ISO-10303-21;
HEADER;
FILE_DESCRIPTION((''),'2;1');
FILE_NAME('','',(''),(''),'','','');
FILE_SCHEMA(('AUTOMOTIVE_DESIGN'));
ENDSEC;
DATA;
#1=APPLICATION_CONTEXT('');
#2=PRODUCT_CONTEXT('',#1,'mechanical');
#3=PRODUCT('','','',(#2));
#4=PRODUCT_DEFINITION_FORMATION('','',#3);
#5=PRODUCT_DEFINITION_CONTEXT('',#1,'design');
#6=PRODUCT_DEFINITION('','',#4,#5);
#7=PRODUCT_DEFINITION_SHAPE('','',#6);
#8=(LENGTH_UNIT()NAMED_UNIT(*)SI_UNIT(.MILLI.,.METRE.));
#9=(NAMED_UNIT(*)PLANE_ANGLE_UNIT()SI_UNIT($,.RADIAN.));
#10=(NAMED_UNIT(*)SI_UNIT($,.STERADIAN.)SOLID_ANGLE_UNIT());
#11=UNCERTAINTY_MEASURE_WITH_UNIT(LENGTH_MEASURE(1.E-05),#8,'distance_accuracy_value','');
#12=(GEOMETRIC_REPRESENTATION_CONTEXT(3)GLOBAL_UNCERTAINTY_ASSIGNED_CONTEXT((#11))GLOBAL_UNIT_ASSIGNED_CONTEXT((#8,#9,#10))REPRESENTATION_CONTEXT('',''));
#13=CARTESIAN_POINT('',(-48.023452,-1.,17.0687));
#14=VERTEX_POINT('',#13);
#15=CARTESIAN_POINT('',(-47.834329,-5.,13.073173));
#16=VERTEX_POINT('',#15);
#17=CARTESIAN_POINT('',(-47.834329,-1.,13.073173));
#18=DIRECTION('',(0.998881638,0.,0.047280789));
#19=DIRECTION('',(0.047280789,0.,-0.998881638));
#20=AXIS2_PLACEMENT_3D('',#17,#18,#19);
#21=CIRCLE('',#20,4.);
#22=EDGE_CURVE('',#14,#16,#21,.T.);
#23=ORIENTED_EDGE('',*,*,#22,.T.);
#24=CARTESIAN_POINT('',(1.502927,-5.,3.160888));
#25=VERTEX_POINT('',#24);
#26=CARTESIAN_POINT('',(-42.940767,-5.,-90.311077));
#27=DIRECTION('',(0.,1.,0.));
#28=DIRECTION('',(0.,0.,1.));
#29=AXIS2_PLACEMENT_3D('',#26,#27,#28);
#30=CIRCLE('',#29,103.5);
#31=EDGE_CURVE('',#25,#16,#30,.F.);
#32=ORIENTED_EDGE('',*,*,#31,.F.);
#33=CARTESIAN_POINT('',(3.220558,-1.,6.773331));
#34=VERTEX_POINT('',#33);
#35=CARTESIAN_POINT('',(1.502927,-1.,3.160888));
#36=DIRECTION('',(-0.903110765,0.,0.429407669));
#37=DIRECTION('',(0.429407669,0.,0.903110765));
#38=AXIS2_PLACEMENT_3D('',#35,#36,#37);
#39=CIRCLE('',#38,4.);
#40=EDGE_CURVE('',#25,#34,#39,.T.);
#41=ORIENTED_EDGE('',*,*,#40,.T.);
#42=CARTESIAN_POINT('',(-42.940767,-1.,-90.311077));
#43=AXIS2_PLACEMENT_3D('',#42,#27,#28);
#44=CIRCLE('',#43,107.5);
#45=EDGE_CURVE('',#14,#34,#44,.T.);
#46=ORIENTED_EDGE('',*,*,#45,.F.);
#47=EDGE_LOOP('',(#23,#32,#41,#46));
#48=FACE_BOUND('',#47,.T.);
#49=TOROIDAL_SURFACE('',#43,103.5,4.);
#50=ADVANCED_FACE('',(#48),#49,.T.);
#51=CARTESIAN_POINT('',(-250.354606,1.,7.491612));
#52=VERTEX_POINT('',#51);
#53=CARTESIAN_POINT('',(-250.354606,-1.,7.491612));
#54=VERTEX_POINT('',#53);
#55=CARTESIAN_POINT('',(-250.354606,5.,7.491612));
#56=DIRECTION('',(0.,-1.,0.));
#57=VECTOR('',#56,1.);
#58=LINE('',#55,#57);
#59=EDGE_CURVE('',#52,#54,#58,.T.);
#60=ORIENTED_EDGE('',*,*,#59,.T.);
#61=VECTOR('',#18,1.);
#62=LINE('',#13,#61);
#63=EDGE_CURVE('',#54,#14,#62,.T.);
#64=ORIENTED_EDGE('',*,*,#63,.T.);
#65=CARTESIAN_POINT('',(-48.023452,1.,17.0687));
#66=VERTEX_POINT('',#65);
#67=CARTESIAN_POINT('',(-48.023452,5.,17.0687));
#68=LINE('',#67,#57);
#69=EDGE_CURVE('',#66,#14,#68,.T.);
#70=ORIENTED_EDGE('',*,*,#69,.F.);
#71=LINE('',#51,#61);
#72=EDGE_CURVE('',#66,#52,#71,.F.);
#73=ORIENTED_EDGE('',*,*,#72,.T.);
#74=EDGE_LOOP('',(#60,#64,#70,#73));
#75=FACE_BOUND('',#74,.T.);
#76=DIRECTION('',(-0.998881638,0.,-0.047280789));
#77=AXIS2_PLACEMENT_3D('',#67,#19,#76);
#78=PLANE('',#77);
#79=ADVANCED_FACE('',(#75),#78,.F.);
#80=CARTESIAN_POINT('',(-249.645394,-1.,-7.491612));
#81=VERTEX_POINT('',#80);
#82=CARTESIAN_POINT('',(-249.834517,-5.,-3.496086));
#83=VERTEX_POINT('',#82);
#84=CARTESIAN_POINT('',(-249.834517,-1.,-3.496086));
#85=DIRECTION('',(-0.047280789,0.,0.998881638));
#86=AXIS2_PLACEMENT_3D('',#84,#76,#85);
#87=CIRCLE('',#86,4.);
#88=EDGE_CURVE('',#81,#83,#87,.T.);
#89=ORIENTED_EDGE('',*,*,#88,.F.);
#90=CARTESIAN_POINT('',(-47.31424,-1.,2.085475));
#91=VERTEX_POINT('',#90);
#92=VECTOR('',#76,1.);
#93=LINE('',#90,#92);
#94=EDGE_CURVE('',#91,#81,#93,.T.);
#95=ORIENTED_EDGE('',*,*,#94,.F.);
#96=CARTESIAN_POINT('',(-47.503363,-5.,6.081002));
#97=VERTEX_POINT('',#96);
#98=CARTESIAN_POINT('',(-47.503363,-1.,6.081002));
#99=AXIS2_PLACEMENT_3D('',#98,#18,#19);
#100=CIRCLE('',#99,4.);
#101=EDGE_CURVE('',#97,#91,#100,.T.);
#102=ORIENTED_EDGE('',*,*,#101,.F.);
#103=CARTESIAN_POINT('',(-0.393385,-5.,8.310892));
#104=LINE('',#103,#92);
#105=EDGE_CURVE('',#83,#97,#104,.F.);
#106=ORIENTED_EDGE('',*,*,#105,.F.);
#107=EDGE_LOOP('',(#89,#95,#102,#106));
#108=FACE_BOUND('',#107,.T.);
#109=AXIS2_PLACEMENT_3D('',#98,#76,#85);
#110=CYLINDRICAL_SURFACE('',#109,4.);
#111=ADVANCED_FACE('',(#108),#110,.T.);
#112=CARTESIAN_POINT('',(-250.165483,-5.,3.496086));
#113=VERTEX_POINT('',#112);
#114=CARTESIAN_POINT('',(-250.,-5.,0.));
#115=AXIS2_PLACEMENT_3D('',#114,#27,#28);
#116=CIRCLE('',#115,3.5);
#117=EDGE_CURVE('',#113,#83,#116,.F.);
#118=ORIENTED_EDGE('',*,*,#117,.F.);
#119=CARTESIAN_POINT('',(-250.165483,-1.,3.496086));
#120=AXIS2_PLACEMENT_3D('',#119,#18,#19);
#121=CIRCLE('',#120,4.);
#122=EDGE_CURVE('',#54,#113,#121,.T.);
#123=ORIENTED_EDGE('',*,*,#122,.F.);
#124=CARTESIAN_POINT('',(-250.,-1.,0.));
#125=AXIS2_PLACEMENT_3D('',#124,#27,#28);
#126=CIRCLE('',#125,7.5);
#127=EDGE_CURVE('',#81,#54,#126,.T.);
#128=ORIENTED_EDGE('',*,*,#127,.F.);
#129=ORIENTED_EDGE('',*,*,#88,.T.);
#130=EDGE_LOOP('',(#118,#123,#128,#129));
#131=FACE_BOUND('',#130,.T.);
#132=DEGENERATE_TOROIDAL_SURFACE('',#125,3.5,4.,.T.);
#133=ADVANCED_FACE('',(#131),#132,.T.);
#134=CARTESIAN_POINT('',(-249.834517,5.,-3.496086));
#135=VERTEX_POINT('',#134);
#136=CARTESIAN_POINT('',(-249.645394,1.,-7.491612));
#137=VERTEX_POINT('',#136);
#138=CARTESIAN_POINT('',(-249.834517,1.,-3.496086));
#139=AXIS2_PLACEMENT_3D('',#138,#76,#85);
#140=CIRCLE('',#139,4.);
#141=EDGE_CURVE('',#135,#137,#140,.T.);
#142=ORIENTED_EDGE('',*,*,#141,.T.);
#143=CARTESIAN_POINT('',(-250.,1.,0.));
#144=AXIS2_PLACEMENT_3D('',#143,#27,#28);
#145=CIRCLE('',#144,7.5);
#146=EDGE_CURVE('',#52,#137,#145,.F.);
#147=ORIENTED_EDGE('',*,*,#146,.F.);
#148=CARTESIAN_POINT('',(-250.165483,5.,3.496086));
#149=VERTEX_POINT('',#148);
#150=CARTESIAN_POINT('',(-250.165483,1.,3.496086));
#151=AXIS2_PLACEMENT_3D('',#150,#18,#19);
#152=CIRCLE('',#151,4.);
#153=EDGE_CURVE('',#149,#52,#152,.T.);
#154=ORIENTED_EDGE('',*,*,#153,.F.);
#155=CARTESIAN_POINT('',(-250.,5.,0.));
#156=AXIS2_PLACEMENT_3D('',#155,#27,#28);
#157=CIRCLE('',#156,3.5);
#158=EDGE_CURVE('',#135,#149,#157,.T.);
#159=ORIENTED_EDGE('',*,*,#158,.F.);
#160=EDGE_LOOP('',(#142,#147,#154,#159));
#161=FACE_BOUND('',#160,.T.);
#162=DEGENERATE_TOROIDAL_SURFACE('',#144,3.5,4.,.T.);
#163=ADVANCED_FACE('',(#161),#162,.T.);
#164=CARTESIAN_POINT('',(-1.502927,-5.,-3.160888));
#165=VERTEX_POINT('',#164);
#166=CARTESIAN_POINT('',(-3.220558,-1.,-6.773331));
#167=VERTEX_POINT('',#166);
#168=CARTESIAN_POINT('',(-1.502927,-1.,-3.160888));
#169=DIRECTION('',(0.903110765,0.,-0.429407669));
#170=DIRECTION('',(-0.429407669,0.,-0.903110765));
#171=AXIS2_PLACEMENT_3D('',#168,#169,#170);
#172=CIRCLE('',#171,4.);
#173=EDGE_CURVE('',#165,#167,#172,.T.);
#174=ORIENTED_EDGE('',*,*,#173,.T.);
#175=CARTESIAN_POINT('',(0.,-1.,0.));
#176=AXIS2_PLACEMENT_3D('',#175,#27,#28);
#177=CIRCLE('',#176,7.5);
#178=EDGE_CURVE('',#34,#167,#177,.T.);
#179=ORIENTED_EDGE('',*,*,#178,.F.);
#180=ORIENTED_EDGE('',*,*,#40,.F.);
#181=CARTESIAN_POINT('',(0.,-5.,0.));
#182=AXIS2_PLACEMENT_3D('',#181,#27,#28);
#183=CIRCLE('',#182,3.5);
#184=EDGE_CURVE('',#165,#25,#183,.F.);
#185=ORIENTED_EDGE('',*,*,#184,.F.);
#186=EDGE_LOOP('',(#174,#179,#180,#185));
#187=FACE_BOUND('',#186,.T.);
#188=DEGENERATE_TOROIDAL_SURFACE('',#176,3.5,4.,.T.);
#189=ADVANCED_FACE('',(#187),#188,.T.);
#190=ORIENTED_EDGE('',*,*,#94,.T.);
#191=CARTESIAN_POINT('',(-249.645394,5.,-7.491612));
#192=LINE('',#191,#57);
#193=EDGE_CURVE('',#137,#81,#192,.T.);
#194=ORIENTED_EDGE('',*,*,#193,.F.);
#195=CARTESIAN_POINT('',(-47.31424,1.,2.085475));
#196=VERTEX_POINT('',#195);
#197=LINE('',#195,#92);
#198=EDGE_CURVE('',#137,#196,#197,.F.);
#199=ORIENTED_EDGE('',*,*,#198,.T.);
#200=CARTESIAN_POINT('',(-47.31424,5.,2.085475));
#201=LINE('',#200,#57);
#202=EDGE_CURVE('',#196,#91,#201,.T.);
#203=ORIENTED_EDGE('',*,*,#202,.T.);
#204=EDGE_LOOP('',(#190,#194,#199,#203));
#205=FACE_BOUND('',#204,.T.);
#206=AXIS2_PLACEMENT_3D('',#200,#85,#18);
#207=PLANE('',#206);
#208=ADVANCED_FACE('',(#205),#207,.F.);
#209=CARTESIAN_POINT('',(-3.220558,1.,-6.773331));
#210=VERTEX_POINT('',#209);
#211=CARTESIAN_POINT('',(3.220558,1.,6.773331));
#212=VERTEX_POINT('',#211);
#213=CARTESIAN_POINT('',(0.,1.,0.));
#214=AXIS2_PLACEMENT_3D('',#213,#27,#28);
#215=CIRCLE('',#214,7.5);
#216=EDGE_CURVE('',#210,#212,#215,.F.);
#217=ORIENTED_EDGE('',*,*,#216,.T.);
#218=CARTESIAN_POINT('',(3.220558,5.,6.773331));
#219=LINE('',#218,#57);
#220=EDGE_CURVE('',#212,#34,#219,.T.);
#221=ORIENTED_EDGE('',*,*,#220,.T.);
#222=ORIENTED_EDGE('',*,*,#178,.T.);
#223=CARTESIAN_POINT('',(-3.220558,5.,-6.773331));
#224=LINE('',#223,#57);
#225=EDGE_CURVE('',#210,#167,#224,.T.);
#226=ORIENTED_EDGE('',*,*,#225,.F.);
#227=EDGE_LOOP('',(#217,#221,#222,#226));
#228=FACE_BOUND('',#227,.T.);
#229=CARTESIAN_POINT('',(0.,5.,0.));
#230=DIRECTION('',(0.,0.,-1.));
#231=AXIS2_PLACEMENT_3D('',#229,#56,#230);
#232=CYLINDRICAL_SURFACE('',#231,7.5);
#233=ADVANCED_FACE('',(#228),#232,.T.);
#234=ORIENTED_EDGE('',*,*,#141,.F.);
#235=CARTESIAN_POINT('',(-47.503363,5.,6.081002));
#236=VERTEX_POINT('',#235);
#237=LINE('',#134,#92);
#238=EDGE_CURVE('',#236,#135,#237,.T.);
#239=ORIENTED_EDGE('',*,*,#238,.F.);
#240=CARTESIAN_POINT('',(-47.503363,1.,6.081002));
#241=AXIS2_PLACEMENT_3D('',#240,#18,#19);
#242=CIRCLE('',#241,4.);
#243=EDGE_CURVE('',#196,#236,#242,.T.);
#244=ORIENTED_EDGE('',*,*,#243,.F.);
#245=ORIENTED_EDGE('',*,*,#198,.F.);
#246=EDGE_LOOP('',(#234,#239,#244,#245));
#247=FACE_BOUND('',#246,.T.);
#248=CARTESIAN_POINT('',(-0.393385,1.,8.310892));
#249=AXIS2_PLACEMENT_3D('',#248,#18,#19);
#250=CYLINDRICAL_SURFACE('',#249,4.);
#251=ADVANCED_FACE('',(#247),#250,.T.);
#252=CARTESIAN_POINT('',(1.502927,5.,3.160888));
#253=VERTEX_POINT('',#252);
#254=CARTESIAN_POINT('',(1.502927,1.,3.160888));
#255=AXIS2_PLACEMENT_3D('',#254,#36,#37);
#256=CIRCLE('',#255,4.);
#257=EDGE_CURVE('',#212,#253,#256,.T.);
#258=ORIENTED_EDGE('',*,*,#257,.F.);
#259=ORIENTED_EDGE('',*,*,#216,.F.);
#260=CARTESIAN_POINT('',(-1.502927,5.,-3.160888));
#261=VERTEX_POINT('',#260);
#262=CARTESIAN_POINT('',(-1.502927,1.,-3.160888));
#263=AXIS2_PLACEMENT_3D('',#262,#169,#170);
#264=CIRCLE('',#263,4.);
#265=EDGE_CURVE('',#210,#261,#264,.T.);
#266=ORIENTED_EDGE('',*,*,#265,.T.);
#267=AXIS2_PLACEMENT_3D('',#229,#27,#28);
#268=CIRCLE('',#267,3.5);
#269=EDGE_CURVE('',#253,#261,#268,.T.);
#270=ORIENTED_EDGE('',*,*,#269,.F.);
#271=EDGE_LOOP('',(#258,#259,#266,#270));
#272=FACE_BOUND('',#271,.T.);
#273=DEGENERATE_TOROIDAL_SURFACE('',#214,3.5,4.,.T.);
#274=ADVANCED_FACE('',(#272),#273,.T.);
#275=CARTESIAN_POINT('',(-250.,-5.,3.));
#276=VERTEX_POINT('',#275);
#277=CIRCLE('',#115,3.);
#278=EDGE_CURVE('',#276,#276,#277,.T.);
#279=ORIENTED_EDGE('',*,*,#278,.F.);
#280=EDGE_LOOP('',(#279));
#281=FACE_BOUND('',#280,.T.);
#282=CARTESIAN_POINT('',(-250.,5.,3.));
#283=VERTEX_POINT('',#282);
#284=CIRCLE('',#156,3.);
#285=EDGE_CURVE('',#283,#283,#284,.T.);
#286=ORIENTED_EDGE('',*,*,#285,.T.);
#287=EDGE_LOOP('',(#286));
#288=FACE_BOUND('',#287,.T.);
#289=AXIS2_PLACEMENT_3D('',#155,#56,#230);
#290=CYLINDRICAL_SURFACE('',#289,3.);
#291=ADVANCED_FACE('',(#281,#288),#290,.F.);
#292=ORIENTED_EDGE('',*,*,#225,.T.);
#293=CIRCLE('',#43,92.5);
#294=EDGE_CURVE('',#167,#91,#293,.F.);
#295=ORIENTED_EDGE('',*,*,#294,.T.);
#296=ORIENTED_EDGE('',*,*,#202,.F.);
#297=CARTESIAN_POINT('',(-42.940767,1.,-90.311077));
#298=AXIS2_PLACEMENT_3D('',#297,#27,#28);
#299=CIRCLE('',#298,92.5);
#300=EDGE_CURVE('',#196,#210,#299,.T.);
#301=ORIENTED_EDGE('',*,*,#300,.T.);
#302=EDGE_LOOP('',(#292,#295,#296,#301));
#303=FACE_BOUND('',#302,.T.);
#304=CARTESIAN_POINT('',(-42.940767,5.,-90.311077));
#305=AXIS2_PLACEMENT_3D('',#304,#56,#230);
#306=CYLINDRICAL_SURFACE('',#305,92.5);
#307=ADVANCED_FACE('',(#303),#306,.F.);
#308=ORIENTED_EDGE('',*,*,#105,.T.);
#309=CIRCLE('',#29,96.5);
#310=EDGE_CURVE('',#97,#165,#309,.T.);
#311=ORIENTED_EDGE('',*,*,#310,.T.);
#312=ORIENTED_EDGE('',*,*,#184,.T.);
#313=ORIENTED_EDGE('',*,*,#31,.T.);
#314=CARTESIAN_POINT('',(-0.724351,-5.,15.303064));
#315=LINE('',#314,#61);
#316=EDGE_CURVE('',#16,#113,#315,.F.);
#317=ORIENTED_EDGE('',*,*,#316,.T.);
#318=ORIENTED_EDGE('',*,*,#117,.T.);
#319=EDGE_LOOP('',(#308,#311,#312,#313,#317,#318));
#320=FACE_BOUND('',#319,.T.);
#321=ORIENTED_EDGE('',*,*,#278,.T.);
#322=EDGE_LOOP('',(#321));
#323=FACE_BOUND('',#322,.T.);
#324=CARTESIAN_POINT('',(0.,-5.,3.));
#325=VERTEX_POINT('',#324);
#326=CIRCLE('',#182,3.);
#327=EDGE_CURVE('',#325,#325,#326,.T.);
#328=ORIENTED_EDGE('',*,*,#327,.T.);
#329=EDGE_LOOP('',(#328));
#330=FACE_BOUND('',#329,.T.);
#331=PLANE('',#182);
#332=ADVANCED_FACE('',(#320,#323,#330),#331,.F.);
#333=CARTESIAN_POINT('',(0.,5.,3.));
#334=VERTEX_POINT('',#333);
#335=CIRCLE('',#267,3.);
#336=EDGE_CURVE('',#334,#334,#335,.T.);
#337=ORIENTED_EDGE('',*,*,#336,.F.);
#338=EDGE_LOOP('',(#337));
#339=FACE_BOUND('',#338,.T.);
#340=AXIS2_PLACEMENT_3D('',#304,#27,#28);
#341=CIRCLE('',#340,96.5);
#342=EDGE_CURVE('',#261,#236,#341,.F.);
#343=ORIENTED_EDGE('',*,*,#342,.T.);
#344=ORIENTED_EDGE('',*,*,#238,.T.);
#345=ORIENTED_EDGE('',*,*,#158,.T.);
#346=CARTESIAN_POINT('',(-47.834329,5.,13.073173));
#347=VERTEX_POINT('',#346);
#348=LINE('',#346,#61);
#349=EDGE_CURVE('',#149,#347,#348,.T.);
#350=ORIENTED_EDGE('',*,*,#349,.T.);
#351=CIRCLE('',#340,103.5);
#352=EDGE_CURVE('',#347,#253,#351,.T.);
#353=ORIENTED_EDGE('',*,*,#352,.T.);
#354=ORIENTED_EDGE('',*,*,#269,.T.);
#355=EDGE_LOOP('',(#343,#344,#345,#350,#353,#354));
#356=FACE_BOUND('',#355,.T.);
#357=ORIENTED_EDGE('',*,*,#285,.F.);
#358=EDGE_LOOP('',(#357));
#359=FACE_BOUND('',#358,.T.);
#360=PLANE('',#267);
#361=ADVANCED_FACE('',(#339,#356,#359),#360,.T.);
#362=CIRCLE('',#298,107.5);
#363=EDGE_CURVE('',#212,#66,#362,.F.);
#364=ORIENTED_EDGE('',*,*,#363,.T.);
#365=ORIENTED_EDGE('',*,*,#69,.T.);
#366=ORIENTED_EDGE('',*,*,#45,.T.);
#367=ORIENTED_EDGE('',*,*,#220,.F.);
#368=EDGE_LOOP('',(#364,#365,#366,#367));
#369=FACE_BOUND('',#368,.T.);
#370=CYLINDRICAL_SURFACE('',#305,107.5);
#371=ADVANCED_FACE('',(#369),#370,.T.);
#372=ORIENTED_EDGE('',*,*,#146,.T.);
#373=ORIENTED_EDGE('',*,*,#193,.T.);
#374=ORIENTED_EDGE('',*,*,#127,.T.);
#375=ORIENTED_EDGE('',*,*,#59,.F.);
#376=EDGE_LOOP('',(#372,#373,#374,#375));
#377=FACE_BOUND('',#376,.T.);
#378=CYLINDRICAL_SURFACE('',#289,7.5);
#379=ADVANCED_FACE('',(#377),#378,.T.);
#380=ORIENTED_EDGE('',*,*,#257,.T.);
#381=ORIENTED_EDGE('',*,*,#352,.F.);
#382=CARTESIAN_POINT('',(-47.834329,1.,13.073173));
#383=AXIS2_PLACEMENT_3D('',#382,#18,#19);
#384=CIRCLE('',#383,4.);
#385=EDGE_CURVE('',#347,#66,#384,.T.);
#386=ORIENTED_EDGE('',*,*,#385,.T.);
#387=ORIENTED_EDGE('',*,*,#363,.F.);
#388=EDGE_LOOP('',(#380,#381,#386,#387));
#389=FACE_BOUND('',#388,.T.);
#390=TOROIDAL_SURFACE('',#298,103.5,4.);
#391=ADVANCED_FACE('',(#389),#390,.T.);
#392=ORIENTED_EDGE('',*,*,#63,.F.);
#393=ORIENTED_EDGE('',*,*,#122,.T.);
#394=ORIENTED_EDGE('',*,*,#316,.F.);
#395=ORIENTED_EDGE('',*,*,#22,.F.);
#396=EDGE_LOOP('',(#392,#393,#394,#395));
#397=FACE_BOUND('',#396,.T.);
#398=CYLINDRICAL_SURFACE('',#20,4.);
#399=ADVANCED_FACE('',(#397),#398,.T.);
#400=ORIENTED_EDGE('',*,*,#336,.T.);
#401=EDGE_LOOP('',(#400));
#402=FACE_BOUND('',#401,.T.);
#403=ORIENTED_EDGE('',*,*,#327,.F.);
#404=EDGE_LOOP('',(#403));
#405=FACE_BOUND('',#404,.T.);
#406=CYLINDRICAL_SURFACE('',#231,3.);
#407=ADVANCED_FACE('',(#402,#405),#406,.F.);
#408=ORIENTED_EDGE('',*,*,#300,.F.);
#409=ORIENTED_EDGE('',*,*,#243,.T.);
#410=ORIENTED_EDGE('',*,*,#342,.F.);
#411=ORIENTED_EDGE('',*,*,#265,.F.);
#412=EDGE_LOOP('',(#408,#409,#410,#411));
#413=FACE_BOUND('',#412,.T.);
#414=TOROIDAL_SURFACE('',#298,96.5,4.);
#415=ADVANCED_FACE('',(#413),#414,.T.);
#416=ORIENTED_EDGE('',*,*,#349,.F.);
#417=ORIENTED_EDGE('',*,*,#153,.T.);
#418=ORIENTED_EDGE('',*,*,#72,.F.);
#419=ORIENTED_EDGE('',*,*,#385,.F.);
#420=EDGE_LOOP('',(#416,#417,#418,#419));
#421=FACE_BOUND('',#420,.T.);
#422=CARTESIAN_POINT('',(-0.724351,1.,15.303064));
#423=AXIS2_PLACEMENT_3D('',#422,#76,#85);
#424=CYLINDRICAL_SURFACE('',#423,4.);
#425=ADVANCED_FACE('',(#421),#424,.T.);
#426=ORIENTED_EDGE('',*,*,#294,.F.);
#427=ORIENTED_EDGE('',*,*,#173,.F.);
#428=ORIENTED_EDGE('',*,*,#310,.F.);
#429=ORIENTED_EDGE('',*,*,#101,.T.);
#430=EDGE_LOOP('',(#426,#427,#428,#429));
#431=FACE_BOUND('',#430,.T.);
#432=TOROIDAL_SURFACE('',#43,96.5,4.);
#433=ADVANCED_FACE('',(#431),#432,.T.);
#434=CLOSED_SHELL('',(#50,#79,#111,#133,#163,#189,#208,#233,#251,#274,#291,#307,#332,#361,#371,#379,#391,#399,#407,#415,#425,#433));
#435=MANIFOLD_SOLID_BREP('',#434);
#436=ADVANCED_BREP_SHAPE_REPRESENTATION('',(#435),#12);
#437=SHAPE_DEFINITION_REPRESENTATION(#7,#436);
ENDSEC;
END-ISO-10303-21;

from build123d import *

# Parameters (mm, degrees)
CROQUIS1_R              = 3
SALIENTE_EXTRUIR1_DEPTH = 5
REDONDEO7_R             = 4


with BuildPart() as part:
    # Croquis1 → Saliente-Extruir1 (new, symmetric)
    with BuildSketch(Plane(origin=(0, 0, 0), x_dir=(-1, 0, 0), z_dir=(0, 1, 0))):
        with BuildLine():
            Line((48.02345169, 17.068699579), (250.354605919, 7.491612286))
            ThreePointArc((250.354605919, 7.491612286), (257.491612286, -0.354605919), (249.645394081, -7.491612286))
            Line((249.645394081, -7.491612286), (47.314239852, 2.085475008))
            ThreePointArc((47.314239852, 2.085475008), (24.720790116, 0.376753137), (3.220557514, -6.773330739))
            ThreePointArc((3.220557514, -6.773330739), (-6.773330739, -3.220557514), (-3.220557514, 6.773330739))
            ThreePointArc((-3.220557514, 6.773330739), (21.766199294, 15.082887676), (48.02345169, 17.068699579))
        make_face()
        with Locations(Location((0, 0, 0), (0, 0, 90))):
            Circle(CROQUIS1_R, mode=Mode.SUBTRACT)
        with Locations(Location((250, 0, 0), (0, 0, 90))):
            Circle(CROQUIS1_R, mode=Mode.SUBTRACT)
    extrude(amount=SALIENTE_EXTRUIR1_DEPTH, both=True)

    # Redondeo7
    redondeo7_edges = [part.edges().sort_by_distance(p)[0] for p in [
        (-148.479816967, 5, -2.703068639),
        (-257.491612286, 5, -0.354605919),
        (-149.189028804, 5, 12.280155933),
        (-21.766199294, 5, 15.082887676),
        (6.773330739, 5, -3.220557514),
        (-21.766199294, -5, 15.082887676),
        (-149.189028804, -5, 12.280155933),
        (-257.491612286, -5, -0.354605919),
        (-148.479816967, -5, -2.703068639),
        (-24.720790116, -5, 0.376753137),
        (6.773330739, -5, -3.220557514),
        (-24.720790116, 5, 0.376753137),
    ]]
    fillet(redondeo7_edges, radius=REDONDEO7_R)


solid = part.part
